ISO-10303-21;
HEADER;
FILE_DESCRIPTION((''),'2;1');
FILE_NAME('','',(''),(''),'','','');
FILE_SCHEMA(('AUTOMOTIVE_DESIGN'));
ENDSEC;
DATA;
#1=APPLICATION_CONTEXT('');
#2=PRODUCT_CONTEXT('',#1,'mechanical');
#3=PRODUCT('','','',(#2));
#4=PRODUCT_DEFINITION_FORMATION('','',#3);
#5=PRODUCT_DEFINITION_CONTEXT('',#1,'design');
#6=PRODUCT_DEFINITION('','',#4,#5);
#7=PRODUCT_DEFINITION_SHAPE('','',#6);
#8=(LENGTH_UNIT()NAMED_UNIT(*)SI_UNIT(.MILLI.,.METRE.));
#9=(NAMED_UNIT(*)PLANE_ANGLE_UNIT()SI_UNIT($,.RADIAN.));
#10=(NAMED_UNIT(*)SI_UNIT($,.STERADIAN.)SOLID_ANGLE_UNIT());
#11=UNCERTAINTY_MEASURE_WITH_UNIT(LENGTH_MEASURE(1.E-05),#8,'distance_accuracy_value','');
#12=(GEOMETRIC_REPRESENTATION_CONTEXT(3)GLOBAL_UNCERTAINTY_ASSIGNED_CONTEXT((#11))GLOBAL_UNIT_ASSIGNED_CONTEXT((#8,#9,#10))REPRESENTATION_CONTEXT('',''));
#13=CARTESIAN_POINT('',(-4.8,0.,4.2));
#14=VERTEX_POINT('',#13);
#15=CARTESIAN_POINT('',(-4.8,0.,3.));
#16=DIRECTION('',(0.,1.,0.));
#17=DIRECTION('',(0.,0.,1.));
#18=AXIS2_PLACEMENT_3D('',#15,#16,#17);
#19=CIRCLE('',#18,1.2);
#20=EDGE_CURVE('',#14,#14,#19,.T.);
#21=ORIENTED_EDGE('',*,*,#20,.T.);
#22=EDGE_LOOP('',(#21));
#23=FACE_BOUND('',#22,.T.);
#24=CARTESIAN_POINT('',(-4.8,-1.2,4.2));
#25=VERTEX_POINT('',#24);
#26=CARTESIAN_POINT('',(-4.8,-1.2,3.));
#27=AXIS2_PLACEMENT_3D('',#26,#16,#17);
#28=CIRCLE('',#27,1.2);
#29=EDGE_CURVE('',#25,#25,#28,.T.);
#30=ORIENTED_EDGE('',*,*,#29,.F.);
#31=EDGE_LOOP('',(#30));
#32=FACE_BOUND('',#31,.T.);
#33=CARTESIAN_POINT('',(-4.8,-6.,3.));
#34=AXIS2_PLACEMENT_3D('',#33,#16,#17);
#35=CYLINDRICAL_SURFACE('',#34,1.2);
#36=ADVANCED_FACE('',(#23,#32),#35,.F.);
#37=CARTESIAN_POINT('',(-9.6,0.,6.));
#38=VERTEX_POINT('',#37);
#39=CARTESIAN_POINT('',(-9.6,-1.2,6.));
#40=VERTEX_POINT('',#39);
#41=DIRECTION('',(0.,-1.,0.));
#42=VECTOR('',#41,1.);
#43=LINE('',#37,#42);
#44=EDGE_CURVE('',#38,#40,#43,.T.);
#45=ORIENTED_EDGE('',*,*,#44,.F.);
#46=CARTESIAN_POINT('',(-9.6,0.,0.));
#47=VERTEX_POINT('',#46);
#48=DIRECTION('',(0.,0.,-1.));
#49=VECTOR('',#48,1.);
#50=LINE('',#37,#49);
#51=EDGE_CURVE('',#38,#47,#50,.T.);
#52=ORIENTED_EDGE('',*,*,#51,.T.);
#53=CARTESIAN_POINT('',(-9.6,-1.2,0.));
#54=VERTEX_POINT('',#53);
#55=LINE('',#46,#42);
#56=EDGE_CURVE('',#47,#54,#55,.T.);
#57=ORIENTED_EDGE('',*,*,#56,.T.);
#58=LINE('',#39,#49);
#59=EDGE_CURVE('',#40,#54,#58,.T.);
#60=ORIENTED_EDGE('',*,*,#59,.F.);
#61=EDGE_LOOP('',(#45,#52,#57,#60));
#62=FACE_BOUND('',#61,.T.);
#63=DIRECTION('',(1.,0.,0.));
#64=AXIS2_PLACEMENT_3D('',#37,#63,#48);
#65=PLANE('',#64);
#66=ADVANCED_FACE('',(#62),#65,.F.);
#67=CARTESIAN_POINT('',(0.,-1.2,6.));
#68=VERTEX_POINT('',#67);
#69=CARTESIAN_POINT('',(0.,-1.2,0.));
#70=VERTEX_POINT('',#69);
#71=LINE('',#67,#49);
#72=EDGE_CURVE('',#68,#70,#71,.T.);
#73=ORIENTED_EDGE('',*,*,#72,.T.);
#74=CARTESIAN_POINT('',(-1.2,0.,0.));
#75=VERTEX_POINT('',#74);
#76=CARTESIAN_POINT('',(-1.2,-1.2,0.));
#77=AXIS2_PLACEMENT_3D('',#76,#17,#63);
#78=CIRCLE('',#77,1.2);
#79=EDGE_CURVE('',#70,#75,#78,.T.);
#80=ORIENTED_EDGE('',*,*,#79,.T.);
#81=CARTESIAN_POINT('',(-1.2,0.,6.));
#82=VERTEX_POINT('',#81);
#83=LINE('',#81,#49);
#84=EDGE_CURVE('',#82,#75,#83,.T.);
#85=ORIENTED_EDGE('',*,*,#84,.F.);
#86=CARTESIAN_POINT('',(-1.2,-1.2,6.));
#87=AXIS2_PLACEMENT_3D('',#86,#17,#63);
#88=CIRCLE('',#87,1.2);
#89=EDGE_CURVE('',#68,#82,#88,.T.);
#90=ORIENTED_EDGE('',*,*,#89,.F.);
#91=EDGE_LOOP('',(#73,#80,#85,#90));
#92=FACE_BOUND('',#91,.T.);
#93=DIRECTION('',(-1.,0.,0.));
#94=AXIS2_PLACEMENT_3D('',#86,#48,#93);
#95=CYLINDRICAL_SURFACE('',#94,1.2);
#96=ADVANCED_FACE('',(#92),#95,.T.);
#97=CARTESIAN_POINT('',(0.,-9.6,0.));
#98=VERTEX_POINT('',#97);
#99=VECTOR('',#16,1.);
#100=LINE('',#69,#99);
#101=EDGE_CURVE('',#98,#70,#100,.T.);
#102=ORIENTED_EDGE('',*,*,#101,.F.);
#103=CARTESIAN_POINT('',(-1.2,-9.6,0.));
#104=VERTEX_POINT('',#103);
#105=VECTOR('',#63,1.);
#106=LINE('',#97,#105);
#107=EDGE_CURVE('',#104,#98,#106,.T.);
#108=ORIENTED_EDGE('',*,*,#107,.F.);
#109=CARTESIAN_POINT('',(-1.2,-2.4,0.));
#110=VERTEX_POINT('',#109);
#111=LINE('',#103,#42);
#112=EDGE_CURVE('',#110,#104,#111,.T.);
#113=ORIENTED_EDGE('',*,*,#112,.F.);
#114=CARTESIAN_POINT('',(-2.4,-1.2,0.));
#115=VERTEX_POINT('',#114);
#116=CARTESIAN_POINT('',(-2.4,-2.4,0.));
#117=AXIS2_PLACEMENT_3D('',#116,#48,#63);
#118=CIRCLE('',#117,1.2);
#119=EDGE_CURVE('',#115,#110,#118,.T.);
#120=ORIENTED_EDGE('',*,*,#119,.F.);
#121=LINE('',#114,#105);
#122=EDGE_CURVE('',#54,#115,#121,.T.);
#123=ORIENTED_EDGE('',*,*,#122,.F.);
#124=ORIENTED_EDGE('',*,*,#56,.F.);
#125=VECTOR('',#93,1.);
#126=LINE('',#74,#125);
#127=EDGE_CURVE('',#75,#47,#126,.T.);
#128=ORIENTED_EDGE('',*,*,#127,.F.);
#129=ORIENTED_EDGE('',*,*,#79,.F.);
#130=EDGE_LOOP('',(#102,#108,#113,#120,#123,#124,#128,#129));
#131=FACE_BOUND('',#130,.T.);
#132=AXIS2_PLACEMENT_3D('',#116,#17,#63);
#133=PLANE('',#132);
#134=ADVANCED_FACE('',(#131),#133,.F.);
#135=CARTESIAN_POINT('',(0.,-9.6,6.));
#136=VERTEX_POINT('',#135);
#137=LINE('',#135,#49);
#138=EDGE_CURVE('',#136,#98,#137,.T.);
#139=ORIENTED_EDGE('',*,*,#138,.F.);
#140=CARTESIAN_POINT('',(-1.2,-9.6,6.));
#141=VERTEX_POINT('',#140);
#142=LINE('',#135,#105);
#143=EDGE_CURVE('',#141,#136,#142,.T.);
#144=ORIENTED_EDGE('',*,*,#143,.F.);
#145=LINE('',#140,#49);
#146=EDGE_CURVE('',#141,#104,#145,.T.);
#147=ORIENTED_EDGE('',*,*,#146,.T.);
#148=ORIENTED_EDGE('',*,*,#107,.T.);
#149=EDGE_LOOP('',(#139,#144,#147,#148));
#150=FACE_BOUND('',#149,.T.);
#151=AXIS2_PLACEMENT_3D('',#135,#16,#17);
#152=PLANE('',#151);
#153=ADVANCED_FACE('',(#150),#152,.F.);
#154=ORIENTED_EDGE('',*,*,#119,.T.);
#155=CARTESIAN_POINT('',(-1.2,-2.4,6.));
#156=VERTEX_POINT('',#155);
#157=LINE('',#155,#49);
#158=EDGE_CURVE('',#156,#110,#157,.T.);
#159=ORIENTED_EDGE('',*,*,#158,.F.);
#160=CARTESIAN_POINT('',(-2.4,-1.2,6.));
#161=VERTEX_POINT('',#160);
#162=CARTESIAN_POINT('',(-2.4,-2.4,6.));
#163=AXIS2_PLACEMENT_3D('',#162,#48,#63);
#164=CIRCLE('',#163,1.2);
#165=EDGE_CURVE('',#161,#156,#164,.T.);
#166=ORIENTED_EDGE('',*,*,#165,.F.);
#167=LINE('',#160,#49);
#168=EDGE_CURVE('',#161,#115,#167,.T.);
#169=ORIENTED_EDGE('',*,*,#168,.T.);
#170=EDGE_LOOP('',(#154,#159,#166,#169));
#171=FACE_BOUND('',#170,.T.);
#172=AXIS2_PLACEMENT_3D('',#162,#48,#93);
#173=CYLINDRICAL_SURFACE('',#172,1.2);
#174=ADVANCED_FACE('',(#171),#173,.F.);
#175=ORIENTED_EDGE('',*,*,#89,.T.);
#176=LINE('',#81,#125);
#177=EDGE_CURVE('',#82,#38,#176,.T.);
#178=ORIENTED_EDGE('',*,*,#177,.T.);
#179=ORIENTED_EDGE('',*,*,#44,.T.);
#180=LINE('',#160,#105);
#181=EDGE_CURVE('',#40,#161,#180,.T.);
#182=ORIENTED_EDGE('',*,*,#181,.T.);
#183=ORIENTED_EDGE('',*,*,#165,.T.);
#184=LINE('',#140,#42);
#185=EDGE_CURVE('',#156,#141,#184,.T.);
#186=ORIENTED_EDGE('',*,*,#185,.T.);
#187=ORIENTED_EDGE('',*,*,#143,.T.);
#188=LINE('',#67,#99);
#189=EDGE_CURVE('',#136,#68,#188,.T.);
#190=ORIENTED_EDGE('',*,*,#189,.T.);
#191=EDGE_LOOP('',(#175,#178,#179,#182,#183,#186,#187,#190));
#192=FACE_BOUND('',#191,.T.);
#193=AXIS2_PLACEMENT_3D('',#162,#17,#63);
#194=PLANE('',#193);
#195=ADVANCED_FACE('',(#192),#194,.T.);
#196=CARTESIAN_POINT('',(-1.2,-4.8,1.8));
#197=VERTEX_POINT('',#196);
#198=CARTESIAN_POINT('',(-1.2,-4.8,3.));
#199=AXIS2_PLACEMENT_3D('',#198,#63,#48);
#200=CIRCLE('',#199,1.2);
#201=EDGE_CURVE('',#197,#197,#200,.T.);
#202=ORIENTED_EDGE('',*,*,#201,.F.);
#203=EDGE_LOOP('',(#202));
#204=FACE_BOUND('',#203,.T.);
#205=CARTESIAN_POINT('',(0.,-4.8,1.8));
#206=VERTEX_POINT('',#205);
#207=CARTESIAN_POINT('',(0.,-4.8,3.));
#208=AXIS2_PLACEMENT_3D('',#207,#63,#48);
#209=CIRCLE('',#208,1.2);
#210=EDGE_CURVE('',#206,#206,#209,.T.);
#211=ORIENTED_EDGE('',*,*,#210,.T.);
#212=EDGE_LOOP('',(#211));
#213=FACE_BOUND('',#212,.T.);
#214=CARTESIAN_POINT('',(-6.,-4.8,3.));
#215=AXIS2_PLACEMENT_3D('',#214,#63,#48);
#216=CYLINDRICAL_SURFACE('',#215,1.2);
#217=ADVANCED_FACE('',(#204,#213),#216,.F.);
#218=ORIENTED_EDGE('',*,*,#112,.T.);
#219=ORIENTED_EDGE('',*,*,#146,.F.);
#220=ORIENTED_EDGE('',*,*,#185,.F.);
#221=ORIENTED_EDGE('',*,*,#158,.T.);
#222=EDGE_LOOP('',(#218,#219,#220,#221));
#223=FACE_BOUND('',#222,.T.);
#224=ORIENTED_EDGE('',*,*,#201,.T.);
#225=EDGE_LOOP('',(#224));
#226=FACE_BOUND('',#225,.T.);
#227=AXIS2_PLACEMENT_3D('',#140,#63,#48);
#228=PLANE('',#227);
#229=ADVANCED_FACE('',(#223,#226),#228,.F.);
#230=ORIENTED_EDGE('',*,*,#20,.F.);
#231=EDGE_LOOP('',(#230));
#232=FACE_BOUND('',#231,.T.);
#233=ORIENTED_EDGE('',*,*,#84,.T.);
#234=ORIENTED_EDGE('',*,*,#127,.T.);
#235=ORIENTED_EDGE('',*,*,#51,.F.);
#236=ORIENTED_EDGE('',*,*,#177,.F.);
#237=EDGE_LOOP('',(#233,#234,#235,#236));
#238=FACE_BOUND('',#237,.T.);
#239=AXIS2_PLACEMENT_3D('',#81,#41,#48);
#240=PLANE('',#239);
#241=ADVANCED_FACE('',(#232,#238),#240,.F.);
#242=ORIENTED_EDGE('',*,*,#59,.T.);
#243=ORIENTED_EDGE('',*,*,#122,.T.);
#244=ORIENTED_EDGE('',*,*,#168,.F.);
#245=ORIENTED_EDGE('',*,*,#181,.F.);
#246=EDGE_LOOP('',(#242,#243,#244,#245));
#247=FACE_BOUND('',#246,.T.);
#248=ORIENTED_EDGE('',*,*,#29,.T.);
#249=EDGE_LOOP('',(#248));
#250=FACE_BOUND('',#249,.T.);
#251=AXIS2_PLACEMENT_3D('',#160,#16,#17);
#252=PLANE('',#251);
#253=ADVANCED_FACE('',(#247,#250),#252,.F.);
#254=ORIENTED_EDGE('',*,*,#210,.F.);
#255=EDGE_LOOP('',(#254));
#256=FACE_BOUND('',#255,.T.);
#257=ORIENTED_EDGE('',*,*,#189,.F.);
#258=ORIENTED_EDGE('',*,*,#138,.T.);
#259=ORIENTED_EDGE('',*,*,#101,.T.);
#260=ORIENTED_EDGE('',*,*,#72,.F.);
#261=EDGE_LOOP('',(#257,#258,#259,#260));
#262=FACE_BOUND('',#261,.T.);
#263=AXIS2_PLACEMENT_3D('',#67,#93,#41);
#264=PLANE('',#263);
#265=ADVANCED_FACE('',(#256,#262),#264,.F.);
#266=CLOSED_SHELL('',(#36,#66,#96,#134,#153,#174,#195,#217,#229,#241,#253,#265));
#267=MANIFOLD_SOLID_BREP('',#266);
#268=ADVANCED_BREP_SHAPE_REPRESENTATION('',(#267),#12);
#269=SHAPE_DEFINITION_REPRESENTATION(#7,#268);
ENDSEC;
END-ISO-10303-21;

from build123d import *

# Parameters (mm, degrees)
BOSS_EXTRU_2_DEPTH      = 6
ESQUISSE3_R             = 1.2
ENL_V_MAT_EXTRU_1_DEPTH = 6
ESQUISSE4_R             = 1.2
ENL_V_MAT_EXTRU_2_DEPTH = 6


with BuildPart() as part:
    # Esquisse2 → Boss.-Extru.2 (new body)
    with BuildSketch(Plane.XY):
        with BuildLine():
            Line((-1.2, 0), (-9.6, 0))
            Line((-9.6, 0), (-9.6, -1.2))
            Line((-9.6, -1.2), (-2.4, -1.2))
            ThreePointArc((-2.4, -1.2), (-1.551471863, -1.551471863), (-1.2, -2.4))
            Line((-1.2, -2.4), (-1.2, -9.6))
            Line((-1.2, -9.6), (0, -9.6))
            Line((0, -9.6), (0, -1.2))
            ThreePointArc((0, -1.2), (-0.351471863, -0.351471863), (-1.2, 0))
        make_face()
    extrude(amount=BOSS_EXTRU_2_DEPTH)

    # Esquisse3 → Enlèv. mat.-Extru.1 (cut)
    with BuildSketch(Plane(origin=(0, 0, 0), x_dir=(1, 0, 0), z_dir=(0, 1, 0))):
        with Locations(Location((-4.8, -3, 0), (0, 0, 270))):
            Circle(ESQUISSE3_R)
    extrude(amount=-ENL_V_MAT_EXTRU_1_DEPTH, mode=Mode.SUBTRACT)

    # Esquisse4 → Enlèv. mat.-Extru.2 (cut)
    with BuildSketch(Plane(origin=(0, 0, 0), x_dir=(0, 0, -1), z_dir=(1, 0, 0))):
        with Locations((-3, -4.8)):
            Circle(ESQUISSE4_R)
    extrude(amount=-ENL_V_MAT_EXTRU_2_DEPTH, mode=Mode.SUBTRACT)


solid = part.part
